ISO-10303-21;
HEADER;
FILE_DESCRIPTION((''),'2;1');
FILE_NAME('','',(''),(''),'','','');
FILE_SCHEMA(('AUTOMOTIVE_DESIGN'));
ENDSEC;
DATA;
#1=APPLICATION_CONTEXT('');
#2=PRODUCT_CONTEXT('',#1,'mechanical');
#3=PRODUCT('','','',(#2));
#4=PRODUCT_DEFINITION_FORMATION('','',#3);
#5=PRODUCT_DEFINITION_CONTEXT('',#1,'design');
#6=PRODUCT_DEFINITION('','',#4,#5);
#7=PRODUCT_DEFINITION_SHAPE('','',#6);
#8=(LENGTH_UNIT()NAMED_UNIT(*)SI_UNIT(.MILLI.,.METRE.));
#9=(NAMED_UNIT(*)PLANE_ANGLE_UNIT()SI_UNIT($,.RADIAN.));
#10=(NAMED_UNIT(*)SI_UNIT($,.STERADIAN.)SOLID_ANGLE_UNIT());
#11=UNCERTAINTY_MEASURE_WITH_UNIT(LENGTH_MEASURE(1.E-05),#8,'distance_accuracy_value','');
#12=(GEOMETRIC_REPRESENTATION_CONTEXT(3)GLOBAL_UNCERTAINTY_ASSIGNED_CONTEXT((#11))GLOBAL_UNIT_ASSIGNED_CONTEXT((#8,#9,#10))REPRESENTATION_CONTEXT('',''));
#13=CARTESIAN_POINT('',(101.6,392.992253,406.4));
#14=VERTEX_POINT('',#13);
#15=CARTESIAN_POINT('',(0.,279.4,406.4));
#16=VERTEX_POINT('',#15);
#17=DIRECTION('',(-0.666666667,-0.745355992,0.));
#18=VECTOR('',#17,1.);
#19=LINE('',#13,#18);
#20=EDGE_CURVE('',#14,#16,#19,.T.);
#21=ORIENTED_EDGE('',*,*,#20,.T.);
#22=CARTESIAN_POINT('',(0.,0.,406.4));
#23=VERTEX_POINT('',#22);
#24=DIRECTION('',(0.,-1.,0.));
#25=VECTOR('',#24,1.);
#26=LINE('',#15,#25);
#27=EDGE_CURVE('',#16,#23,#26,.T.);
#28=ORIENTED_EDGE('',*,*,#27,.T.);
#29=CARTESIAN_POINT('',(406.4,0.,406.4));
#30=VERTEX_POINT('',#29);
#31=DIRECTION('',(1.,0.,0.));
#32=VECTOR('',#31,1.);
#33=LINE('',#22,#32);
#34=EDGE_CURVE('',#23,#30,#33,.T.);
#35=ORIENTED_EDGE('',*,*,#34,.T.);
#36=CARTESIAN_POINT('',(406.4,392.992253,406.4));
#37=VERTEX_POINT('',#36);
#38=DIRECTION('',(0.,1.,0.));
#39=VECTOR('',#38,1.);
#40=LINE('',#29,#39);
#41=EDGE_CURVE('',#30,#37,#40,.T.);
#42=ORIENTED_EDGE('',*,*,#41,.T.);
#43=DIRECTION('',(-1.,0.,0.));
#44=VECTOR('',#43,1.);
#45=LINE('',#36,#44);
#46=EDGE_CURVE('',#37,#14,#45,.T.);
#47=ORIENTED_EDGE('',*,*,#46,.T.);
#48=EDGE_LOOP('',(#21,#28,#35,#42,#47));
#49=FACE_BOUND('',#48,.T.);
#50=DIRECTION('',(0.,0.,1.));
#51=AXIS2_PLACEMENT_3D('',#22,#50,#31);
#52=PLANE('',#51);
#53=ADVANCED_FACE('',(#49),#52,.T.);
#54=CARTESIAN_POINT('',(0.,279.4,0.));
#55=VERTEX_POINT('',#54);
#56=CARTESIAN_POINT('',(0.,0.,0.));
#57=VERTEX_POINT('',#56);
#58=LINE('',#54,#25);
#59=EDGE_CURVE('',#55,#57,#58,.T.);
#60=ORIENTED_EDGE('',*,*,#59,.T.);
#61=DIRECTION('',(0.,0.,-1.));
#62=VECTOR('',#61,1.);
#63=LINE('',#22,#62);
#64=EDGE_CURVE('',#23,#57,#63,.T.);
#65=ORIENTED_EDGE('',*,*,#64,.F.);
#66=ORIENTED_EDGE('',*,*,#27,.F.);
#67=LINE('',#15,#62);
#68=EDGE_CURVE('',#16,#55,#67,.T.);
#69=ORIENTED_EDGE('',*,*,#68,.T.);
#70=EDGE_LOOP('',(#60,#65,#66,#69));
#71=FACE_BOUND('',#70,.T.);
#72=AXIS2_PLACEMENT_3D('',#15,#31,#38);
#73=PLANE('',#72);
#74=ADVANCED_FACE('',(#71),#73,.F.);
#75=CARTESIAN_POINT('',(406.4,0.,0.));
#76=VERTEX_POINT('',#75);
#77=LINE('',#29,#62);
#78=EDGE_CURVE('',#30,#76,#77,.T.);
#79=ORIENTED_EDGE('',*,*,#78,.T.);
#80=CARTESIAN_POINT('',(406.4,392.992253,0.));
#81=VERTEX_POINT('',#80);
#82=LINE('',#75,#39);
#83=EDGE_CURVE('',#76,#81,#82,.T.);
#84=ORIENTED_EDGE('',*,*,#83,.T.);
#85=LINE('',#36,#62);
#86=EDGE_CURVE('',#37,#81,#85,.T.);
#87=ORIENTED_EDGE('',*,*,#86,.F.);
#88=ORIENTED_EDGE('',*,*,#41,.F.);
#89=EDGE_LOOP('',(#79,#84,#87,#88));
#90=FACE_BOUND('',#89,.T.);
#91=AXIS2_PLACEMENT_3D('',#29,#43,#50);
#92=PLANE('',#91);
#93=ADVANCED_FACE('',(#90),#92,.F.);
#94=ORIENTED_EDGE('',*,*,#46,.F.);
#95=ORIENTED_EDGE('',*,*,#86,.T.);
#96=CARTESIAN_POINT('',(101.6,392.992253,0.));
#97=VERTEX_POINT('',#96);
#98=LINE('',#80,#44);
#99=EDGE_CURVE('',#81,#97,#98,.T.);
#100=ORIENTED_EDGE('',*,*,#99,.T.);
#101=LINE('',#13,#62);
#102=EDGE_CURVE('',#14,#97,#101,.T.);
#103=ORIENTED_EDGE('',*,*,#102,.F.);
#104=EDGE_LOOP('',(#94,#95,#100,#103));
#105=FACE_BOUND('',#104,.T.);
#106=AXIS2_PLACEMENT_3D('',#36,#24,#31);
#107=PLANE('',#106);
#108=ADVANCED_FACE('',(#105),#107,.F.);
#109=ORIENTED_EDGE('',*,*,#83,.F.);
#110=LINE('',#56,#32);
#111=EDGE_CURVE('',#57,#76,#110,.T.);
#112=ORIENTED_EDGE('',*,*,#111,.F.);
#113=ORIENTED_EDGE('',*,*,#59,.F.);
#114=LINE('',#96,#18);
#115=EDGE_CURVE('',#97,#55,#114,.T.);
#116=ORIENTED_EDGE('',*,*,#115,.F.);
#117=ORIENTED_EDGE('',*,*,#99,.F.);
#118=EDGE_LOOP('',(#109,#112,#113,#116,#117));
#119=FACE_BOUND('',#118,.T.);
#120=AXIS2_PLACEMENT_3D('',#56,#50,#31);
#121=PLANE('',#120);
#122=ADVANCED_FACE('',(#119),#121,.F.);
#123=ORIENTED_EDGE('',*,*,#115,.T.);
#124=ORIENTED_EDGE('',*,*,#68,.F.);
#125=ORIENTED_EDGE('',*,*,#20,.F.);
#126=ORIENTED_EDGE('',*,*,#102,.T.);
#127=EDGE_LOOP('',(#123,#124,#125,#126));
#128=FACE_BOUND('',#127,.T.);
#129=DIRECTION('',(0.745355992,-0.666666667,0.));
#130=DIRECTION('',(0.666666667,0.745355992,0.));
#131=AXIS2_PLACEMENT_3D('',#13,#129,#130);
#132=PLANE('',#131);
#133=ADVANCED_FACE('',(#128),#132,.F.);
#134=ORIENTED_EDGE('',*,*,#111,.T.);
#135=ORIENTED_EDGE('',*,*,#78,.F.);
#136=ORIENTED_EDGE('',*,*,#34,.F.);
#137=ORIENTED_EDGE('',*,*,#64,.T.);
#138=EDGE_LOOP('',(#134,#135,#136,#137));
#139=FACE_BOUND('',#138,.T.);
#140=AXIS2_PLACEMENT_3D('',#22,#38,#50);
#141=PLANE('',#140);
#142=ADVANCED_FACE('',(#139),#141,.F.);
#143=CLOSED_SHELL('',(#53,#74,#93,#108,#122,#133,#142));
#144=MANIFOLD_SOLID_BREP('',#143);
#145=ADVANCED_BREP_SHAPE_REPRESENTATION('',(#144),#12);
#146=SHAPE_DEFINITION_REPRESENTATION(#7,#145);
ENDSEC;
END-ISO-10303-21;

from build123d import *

# Parameters (mm, degrees)
BOSS_EXTRUDE1_DEPTH = 406.4


with BuildPart() as part:
    # Sketch1 → Boss-Extrude1 (new body)
    with BuildSketch(Plane.XY):
        Polygon((0, 279.4), (0, 0), (406.4, 0), (406.4, 392.992253257), (101.6, 392.992253257), align=None)
    extrude(amount=BOSS_EXTRUDE1_DEPTH)


solid = part.part
